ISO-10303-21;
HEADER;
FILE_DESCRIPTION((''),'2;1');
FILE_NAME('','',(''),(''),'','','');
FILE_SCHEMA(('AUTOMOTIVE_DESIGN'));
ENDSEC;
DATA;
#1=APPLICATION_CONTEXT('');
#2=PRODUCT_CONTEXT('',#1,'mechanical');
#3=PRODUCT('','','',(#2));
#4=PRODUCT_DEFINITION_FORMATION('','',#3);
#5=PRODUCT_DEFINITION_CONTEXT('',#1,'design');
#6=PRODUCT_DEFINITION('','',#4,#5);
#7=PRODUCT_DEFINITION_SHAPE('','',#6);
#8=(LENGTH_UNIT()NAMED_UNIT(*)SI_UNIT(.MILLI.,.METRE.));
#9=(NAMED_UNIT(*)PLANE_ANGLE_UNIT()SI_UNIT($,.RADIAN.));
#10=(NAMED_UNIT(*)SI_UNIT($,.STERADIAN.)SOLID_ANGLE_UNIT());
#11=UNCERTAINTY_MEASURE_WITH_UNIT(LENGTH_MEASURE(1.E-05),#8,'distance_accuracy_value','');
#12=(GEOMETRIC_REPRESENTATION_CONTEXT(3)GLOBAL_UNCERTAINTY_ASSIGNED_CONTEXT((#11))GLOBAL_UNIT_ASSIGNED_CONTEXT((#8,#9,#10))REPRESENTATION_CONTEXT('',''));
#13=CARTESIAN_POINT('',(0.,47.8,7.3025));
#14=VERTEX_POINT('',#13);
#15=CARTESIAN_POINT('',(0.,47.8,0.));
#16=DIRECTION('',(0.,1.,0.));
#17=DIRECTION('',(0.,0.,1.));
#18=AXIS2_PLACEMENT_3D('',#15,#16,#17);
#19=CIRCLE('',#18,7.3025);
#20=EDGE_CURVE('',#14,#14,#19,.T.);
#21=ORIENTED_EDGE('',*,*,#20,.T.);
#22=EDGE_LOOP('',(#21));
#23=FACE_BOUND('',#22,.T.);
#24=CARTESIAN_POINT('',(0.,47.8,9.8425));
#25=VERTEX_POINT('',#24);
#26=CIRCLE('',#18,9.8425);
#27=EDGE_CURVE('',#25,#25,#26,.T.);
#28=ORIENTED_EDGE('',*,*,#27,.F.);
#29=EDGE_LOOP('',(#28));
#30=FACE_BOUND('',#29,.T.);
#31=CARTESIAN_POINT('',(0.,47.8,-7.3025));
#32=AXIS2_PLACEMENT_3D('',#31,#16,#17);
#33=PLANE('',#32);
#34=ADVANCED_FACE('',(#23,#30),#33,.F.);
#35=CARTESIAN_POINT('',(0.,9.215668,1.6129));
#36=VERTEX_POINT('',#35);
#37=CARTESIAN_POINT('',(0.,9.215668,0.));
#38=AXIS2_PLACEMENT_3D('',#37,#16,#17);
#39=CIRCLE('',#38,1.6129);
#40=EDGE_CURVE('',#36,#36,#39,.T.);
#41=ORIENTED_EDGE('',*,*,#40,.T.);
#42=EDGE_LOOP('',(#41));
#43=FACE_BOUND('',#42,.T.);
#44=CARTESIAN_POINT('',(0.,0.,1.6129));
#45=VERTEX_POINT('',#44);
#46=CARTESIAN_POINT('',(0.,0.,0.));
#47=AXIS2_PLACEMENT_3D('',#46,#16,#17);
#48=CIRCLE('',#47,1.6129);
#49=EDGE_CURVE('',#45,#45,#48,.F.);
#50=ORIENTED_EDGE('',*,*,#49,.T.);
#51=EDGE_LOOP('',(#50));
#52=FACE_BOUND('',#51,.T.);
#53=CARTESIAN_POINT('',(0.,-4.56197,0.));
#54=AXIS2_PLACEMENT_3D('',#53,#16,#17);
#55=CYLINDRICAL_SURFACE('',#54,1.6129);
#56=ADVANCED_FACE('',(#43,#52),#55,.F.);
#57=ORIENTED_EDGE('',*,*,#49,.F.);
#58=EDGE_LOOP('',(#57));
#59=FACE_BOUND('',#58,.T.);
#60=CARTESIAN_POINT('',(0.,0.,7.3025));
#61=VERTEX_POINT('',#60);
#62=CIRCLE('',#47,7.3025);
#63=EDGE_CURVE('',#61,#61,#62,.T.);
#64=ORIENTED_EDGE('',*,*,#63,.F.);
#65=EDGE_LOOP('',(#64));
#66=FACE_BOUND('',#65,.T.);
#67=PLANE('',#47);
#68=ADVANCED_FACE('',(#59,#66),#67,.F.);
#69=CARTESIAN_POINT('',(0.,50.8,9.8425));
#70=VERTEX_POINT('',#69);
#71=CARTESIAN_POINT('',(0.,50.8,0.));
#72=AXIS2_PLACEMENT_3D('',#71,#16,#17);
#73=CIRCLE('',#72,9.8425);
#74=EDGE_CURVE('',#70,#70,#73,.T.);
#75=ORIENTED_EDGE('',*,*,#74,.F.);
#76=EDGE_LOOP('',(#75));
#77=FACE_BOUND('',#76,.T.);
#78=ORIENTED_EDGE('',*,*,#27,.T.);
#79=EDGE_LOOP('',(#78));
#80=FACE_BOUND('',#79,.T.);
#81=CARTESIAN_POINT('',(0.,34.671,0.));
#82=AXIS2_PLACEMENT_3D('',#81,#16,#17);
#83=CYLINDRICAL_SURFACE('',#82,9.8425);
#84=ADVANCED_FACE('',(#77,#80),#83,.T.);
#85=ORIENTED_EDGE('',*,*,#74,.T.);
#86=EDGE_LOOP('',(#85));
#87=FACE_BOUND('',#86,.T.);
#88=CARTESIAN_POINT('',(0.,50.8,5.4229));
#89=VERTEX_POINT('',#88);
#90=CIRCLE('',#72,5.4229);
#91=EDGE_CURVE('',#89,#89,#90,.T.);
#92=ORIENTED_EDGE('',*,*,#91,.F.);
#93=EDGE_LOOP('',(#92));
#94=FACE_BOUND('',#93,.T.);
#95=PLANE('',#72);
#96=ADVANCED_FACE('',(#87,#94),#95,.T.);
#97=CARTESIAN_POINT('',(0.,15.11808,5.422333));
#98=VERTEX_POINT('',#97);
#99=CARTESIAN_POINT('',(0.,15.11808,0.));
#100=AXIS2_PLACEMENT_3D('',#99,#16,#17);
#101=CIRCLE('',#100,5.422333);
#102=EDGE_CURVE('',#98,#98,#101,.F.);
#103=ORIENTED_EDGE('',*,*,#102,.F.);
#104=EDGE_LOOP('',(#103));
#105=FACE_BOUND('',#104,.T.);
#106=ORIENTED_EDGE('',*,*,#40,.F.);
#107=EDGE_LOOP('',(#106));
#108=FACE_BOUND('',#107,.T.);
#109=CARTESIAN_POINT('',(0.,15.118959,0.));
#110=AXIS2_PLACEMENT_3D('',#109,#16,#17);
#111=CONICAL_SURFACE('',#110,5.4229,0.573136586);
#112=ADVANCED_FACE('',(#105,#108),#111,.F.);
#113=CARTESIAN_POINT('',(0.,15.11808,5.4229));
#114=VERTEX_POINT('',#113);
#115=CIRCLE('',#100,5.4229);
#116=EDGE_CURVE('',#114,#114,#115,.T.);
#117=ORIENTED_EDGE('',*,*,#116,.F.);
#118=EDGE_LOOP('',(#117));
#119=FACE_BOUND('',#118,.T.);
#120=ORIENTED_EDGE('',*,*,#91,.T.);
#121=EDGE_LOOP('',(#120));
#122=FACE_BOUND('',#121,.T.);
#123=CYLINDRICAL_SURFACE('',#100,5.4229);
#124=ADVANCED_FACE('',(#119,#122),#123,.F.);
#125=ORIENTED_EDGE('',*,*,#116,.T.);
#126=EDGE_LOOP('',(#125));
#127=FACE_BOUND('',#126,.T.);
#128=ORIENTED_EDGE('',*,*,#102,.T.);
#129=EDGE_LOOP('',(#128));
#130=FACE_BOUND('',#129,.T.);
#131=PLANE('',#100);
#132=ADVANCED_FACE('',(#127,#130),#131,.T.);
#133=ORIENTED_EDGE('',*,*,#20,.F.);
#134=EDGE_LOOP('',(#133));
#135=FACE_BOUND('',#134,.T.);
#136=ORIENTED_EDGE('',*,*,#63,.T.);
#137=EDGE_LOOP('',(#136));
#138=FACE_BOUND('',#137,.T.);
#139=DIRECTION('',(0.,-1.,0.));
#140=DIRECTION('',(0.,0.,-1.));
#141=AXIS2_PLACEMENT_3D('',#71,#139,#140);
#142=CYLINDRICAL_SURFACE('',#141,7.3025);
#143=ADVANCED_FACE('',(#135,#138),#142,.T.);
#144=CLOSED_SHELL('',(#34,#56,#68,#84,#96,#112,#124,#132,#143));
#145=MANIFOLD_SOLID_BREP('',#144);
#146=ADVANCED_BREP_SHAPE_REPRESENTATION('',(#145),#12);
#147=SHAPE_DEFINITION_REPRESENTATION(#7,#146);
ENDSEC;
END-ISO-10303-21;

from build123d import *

# Parameters (mm, degrees)
SKETCH1_R           = 7.3025
BOSS_EXTRUDE1_DEPTH = 50.8
SKETCH2_R           = 1.6129
CUT_EXTRUDE1_DEPTH  = 50.8
SKETCH5_W           = 2.54
SKETCH5_H           = 3
SKETCH6_R           = 5.4229
CUT_EXTRUDE3_DEPTH  = 35.68192


with BuildPart() as part:
    # Sketch1 → Boss-Extrude1 (new body)
    with BuildSketch(Plane(origin=(0, 0, 0), x_dir=(1, 0, 0), z_dir=(0, 1, 0))):
        Circle(SKETCH1_R)
    extrude(amount=BOSS_EXTRUDE1_DEPTH)

    # Sketch2 → Cut-Extrude1 (cut)
    with BuildSketch(Plane(origin=(0, 50.8, 0), x_dir=(1, 0, 0), z_dir=(0, 1, 0))):
        Circle(SKETCH2_R)
    extrude(amount=-CUT_EXTRUDE1_DEPTH, mode=Mode.SUBTRACT)

    # Sketch3 → Cut-Revolve1 (revolve, cut)
    with BuildSketch(Plane.XY):
        Polygon((-5.4229, 15.118959148), (-1.6129, 9.215668113), (-1.6129, 15.118959148), align=None)
    revolve(axis=Axis((0, 34.671, 0), (0, -1, 0)), mode=Mode.SUBTRACT)

    # Sketch5 → Revolve1 (revolve)
    with BuildSketch(Plane(origin=(0, 0, 0), x_dir=(0, 0, -1), z_dir=(1, 0, 0))):
        with Locations((8.5725, 49.3)):
            Rectangle(SKETCH5_W, SKETCH5_H)
    revolve(axis=Axis((0, 34.671, 0), (0, -1, 0)))

    # Sketch6 → Cut-Extrude3 (cut)
    with BuildSketch(Plane(origin=(0, 50.8, 0), x_dir=(1, 0, 0), z_dir=(0, 1, 0))):
        Circle(SKETCH6_R)
    extrude(amount=-CUT_EXTRUDE3_DEPTH, mode=Mode.SUBTRACT)


solid = part.part
